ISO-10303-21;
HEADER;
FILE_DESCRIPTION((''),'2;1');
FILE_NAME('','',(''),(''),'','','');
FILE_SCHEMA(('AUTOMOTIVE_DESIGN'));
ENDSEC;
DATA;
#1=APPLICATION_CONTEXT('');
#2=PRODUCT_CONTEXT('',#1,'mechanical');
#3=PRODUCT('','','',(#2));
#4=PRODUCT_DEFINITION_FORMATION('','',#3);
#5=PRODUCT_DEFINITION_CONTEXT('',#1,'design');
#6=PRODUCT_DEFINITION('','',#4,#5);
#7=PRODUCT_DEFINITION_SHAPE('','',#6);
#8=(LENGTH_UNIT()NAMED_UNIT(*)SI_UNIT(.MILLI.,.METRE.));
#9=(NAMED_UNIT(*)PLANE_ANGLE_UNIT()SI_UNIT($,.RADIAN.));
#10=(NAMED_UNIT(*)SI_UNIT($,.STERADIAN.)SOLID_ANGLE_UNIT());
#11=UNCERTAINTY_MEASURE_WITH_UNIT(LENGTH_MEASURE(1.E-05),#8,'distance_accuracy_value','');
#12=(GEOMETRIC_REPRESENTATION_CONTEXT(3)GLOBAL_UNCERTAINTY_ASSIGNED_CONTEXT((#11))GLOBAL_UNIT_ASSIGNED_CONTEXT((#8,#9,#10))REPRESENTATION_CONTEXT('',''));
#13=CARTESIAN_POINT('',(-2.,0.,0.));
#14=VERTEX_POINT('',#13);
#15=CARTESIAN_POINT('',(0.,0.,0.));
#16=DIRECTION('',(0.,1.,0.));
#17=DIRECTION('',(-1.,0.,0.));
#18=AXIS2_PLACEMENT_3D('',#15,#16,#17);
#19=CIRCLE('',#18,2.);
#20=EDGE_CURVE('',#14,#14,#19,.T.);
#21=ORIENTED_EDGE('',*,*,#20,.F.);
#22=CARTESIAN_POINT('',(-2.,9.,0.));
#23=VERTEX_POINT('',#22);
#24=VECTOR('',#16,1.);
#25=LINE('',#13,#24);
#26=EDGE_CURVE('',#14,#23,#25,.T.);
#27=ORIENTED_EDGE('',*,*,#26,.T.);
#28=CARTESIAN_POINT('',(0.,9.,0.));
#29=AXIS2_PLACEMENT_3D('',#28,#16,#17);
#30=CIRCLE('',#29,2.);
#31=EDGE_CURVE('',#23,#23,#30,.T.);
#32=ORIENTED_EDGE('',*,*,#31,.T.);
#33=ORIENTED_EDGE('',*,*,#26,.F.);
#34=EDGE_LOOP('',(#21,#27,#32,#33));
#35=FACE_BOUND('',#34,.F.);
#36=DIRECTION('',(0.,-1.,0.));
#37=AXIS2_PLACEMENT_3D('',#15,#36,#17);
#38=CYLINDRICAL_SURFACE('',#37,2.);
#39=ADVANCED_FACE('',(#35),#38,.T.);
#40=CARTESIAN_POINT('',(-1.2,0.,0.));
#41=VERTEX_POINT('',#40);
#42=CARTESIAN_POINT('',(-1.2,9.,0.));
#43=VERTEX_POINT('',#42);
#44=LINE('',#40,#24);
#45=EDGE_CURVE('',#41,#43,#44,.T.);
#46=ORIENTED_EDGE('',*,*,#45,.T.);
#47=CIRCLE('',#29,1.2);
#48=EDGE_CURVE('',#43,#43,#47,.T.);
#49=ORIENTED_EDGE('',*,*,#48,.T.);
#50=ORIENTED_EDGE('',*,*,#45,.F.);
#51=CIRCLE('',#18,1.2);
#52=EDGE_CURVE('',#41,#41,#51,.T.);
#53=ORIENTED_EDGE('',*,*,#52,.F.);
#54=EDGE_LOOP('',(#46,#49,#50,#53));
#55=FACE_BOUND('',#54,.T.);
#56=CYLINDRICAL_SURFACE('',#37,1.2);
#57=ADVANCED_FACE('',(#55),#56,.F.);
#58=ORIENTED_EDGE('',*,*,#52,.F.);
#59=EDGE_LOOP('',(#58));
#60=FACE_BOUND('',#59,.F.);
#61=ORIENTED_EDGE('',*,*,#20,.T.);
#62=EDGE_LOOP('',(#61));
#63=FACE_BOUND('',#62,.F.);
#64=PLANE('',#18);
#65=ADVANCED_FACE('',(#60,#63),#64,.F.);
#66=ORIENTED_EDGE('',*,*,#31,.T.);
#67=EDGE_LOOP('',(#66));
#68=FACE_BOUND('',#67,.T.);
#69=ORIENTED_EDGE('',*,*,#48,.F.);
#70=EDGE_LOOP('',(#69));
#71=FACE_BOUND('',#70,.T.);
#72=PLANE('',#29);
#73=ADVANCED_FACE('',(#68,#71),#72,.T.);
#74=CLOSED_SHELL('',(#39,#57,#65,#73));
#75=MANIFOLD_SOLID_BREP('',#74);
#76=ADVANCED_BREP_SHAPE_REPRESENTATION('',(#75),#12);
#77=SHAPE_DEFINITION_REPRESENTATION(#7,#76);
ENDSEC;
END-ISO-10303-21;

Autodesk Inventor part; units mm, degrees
ref_plane "YZ Plane" through (0, 0, 0) normal (1, 0, 0) x (0, 1, 0)
ref_plane "XZ Plane" through (0, 0, 0) normal (0, 1, 0) x (-1, 0, 0)
ref_plane "XY Plane" through (0, 0, 0) normal (0, 0, 1) x (1, 0, 0)
sketch "Sketch1" plane through (0, 0, 0) normal (0, 1, 0) x (-1, 0, 0)
  circle A0 centre (0, 0) radius 1.2
  circle A1 centre (0, 0) radius 2
  dimension "d0" = 2.4
  dimension "d1" = 4
extrude "Extrusion1" add sketch "Sketch1" along normal blind 9
properties part number "screen_spacer"
